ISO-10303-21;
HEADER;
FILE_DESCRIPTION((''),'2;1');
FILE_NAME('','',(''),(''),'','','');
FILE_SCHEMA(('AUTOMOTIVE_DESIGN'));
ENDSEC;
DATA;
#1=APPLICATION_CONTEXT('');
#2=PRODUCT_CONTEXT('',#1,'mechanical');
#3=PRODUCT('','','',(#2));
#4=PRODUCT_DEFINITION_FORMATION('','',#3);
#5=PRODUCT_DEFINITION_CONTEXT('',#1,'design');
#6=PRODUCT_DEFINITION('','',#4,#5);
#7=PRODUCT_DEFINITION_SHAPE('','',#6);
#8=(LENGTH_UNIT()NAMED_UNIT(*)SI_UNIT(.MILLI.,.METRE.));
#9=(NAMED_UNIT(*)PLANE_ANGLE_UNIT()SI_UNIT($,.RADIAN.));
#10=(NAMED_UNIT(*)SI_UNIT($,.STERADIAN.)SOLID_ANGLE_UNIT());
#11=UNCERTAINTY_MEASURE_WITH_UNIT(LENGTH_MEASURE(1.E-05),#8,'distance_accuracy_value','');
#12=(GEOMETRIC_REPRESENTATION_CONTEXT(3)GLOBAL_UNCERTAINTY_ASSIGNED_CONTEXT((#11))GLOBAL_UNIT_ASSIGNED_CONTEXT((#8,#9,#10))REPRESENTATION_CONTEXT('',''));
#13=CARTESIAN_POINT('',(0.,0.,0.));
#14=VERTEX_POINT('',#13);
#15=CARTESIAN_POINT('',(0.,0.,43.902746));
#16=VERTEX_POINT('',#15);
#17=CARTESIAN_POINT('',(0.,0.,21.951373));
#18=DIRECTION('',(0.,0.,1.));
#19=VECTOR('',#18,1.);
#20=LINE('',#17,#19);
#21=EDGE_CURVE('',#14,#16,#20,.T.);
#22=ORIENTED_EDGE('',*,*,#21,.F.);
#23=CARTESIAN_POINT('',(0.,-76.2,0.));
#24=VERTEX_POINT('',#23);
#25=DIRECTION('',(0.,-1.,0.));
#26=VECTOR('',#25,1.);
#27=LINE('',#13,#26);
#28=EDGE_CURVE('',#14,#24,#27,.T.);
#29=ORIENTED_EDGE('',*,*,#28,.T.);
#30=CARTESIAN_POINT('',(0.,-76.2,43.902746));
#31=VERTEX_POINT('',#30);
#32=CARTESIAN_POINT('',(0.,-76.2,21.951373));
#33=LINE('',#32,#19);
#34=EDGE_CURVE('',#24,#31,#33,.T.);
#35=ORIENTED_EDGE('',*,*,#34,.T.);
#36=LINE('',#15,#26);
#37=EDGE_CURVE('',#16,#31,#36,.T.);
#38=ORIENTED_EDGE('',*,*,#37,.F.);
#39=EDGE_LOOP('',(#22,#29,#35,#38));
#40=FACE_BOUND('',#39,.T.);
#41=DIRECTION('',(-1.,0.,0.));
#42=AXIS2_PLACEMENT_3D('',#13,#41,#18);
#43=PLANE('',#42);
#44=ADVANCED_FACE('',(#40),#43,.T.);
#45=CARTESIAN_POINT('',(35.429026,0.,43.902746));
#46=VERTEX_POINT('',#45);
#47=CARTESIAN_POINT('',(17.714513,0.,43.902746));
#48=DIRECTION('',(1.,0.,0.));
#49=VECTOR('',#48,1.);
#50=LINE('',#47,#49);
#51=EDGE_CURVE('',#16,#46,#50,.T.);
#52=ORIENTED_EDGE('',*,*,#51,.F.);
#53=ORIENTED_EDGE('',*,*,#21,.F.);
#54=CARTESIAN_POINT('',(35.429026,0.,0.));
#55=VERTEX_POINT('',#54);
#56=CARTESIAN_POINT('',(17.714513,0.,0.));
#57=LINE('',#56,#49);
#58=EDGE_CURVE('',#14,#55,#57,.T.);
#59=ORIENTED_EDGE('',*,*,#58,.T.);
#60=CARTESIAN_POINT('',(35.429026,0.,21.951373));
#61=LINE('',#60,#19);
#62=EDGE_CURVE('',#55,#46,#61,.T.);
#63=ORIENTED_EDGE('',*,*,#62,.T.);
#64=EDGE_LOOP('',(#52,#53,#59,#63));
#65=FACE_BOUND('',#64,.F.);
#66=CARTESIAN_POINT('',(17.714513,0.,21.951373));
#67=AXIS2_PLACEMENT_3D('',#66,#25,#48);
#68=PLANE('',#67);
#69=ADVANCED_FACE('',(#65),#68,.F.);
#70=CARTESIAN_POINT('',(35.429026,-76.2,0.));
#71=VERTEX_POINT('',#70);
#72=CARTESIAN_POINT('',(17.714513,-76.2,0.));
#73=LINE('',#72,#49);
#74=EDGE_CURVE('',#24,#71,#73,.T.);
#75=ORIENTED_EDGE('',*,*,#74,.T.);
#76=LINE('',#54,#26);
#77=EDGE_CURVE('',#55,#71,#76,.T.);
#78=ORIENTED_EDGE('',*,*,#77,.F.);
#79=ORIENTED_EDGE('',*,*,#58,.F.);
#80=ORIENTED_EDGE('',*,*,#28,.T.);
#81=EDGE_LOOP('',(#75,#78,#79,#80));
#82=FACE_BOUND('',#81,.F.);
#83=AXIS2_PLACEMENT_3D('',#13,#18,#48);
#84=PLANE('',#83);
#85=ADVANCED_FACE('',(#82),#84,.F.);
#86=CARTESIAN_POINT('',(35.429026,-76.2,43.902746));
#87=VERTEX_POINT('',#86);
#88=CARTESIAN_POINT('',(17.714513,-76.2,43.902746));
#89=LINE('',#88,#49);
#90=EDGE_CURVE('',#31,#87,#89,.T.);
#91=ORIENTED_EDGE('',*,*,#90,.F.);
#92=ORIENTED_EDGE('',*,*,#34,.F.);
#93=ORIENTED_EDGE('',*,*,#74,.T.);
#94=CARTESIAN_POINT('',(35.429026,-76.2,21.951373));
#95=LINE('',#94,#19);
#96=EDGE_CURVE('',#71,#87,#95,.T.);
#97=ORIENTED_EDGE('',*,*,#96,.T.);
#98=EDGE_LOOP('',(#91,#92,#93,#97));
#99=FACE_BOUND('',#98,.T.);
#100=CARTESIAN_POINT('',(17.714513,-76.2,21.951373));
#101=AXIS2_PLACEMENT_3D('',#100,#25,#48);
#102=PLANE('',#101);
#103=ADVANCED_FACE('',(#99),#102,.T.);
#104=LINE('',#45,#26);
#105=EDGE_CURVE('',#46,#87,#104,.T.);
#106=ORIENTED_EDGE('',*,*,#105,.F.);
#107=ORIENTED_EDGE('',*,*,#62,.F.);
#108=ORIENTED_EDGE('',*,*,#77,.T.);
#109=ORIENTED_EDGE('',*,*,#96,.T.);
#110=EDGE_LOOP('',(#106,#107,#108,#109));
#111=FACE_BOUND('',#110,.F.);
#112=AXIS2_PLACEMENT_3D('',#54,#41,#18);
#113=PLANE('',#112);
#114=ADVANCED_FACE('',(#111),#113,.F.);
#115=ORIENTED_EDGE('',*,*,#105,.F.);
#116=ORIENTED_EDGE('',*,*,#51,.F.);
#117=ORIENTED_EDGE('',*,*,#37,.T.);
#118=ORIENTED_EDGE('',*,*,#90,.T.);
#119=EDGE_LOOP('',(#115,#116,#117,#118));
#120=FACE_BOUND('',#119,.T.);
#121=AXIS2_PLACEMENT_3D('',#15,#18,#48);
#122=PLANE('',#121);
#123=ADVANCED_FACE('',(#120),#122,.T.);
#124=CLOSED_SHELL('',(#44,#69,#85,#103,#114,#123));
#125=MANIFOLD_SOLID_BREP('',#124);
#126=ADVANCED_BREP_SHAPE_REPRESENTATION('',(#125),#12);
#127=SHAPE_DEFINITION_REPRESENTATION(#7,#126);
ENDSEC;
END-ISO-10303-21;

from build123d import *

# Parameters (mm, degrees)
F0_W     = 35.429027
F0_H     = 43.902747
F2_DEPTH = 76.2
F3_R     = 8.582632
F4_DEPTH = 76.2


with BuildPart() as f2:
    # F0 (on Front) → F2 (new body)
    with BuildSketch(Plane.XZ):
        with Locations((17.714513, 21.951373)):
            Rectangle(F0_W, F0_H)
    extrude(amount=F2_DEPTH)

    # F3 (on face) → F4 (join, through all)
    with BuildSketch(Plane.XZ):
        with Locations((18.754071, 21.276563)):
            Circle(F3_R)
    extrude(amount=F4_DEPTH)


solid = f2.part
